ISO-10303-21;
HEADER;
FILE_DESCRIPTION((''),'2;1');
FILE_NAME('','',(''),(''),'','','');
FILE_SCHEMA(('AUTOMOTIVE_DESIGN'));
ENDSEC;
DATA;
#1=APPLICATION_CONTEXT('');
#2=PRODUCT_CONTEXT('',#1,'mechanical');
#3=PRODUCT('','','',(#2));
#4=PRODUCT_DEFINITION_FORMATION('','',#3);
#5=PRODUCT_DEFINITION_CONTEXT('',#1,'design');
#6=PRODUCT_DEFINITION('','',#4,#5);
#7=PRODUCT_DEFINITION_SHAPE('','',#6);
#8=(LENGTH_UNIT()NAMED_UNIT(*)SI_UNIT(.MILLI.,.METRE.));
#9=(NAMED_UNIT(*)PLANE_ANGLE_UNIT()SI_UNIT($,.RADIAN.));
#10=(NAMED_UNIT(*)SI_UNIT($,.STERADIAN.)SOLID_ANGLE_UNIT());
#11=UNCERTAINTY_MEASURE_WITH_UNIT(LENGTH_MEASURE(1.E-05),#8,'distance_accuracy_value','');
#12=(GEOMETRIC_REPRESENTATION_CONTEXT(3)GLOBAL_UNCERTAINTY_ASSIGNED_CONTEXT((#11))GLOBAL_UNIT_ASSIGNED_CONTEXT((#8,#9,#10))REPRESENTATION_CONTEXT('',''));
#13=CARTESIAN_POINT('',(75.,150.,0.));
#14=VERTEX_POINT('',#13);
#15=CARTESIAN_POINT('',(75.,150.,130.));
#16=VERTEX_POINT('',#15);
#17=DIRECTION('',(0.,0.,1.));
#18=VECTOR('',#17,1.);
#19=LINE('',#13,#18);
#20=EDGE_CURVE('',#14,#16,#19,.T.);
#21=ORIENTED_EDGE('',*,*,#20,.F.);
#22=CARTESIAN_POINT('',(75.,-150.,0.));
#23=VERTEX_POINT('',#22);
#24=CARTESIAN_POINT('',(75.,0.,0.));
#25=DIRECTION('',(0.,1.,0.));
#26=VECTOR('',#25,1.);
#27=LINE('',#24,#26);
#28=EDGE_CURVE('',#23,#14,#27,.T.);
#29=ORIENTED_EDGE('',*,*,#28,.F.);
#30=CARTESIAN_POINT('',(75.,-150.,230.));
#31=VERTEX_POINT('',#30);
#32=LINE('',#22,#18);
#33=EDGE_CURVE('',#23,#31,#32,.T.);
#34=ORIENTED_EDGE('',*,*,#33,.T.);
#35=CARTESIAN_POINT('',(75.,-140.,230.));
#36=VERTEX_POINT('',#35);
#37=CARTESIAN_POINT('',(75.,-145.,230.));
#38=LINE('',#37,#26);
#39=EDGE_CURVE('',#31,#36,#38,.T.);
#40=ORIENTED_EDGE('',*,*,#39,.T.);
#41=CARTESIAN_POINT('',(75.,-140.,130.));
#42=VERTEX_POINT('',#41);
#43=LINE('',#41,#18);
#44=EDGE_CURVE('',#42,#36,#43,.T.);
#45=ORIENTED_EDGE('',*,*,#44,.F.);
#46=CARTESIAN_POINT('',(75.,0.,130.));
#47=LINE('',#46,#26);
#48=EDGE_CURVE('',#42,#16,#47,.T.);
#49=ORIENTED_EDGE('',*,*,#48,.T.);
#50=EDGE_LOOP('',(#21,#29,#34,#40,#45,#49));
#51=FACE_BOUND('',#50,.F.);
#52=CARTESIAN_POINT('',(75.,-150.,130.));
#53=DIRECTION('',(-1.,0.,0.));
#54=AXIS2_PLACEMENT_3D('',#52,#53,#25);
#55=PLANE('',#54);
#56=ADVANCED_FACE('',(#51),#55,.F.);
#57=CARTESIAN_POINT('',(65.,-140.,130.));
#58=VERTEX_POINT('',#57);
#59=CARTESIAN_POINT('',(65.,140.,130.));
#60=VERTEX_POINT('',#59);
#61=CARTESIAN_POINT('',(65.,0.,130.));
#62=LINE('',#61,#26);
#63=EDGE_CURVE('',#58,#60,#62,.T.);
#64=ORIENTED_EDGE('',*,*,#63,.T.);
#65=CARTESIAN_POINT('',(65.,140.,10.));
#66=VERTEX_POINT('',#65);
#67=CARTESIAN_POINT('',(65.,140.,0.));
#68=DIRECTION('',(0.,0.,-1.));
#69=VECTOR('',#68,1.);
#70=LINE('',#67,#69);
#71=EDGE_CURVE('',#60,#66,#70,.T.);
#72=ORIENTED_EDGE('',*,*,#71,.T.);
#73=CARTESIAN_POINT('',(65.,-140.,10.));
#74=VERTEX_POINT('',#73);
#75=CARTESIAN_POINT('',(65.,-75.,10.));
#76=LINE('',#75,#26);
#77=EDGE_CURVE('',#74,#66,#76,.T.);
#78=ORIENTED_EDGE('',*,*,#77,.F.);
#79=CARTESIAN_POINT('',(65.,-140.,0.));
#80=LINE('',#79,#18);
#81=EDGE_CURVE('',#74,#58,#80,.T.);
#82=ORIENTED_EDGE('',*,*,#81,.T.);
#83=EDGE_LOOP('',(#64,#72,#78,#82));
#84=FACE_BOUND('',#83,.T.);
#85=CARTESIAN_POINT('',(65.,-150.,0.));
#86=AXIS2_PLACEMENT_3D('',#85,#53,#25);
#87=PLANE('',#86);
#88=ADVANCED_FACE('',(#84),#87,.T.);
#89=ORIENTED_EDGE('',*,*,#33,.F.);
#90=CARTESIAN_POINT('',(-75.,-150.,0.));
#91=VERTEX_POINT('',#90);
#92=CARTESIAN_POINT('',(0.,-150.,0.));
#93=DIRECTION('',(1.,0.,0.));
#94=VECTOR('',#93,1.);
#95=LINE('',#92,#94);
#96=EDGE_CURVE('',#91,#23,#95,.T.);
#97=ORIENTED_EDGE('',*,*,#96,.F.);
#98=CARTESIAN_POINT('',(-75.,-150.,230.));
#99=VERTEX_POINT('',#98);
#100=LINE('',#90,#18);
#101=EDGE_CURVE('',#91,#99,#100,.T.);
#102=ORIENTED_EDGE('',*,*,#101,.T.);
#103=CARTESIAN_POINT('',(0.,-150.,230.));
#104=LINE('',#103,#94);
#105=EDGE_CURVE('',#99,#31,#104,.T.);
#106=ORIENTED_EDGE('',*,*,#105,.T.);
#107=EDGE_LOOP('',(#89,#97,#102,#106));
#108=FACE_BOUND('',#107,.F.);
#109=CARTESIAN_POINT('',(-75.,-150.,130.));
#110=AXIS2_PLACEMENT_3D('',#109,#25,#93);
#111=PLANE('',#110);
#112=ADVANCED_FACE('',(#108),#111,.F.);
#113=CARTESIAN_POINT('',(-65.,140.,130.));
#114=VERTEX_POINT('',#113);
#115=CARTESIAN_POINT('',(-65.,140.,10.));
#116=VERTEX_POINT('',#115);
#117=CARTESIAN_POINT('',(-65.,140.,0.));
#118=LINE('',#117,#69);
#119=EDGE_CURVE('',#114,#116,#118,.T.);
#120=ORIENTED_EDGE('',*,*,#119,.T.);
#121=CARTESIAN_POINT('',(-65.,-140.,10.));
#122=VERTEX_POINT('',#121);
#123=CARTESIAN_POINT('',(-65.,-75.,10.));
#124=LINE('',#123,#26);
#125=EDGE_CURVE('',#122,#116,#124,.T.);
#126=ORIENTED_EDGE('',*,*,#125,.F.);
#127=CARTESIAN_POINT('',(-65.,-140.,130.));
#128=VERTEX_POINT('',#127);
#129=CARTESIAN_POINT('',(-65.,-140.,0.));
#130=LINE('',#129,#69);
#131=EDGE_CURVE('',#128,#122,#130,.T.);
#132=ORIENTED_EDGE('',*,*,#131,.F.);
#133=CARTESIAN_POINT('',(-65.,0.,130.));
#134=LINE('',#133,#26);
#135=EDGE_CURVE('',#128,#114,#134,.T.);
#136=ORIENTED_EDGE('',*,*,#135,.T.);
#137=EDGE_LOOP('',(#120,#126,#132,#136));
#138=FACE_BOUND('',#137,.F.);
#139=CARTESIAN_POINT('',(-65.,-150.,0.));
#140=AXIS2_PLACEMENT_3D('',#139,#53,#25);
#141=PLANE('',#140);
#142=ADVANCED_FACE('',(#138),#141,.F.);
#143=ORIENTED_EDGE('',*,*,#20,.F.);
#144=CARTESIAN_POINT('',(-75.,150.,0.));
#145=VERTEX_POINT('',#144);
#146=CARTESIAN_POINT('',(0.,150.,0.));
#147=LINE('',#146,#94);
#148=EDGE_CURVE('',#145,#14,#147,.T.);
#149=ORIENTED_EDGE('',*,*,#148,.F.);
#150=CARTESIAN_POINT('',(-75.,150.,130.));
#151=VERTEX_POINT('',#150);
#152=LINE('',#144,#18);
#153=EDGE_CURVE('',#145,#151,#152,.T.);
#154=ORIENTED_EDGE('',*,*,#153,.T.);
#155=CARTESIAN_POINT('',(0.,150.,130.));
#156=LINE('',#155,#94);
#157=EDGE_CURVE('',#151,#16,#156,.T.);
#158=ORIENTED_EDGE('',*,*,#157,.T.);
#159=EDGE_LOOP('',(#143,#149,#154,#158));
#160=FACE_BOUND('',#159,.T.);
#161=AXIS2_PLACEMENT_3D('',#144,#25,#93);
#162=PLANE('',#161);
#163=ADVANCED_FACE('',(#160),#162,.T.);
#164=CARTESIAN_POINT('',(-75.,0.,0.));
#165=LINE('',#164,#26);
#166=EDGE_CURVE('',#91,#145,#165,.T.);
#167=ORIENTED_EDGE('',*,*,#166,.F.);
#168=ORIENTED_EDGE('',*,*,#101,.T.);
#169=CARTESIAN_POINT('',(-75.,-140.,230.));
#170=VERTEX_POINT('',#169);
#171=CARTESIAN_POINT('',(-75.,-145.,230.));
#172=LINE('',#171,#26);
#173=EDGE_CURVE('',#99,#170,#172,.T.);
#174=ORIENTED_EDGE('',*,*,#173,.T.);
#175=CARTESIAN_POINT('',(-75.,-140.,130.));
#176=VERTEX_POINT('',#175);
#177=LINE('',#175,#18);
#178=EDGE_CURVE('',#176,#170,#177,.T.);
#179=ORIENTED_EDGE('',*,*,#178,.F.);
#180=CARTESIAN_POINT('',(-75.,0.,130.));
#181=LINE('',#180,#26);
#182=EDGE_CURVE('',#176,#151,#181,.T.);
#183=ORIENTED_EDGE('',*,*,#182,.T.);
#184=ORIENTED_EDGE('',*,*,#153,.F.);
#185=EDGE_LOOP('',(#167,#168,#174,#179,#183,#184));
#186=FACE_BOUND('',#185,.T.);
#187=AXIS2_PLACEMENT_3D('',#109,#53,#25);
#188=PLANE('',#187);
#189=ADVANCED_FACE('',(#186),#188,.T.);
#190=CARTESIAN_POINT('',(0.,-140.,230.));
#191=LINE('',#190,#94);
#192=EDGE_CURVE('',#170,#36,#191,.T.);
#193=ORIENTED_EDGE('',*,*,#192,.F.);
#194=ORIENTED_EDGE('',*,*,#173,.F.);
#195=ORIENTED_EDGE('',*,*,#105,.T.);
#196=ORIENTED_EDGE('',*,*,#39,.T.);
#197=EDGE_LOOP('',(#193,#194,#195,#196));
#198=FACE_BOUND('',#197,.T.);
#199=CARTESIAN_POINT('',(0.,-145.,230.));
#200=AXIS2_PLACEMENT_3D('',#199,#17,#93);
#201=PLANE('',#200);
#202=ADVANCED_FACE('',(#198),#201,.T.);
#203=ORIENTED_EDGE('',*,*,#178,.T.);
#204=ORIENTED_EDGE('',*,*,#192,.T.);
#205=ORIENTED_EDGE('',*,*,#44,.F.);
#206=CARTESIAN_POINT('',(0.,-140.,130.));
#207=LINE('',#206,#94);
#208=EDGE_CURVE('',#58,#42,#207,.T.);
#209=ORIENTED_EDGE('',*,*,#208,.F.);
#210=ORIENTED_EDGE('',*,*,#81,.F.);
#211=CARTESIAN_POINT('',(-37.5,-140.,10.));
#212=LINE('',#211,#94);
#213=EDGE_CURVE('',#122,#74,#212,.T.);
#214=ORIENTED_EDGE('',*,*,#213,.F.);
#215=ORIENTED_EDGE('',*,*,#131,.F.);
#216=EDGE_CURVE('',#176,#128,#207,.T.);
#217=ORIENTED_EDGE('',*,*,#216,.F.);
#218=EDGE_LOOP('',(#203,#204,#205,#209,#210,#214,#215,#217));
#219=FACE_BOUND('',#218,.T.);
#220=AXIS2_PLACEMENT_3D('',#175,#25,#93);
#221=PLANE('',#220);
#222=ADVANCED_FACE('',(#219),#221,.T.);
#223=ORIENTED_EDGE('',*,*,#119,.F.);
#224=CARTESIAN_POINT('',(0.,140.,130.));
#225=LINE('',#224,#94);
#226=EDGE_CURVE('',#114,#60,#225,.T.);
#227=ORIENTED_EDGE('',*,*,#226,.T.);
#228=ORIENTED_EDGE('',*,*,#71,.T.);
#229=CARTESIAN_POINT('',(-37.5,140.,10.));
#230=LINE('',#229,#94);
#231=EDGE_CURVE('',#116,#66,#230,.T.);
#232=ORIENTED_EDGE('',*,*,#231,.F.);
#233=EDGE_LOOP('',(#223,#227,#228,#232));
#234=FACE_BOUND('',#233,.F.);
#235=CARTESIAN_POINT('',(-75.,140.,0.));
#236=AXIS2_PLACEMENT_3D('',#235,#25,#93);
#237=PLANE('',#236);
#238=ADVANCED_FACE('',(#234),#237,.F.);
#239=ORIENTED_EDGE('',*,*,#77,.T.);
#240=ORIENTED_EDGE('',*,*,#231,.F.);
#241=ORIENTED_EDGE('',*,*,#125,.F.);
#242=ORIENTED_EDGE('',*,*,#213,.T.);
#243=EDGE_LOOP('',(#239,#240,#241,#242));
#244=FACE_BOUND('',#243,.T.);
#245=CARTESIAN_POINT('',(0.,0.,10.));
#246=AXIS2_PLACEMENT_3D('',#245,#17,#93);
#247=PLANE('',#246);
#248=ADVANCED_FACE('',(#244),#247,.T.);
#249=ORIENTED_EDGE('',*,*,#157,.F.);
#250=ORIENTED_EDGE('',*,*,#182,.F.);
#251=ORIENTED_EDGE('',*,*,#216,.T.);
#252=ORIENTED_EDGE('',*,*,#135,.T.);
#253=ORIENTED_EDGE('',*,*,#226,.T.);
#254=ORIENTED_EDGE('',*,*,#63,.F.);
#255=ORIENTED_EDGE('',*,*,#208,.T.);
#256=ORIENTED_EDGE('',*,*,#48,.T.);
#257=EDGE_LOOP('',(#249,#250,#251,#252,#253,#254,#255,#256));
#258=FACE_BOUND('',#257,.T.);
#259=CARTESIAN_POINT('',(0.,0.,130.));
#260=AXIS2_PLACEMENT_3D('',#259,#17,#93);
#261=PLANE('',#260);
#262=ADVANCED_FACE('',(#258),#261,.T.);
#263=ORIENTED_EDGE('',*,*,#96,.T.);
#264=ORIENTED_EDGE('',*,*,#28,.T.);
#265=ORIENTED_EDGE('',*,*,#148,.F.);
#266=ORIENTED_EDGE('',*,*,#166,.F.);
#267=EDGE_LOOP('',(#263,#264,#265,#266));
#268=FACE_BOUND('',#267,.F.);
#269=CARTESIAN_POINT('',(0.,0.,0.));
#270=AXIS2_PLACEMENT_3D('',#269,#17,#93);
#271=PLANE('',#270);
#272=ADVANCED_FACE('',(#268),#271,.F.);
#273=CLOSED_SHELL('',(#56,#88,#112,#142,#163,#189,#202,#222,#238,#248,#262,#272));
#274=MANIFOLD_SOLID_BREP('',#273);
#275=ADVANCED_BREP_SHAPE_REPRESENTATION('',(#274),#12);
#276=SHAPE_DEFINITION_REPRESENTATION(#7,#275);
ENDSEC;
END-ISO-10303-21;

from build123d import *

# Parameters (mm, degrees)
F0_W     = 150
F0_H     = 300
F1_DEPTH = 130
F2_T     = -10
F3_W     = 150
F3_H     = 10
F4_DEPTH = 100


with BuildPart() as f1:
    # F0 (on Top) → F1 (new body)
    with BuildSketch(Plane.XY):
        Rectangle(F0_W, F0_H)
    extrude(amount=F1_DEPTH)

    # F2
    f2_openings = [f1.faces().sort_by_distance(p)[0] for p in [
        (0, 0, 130),
    ]]
    offset(amount=F2_T, openings=f2_openings)

    # F3 (on face) → F4 (join)
    with BuildSketch(Plane.XY.offset(130)):
        with Locations((0, -145)):
            Rectangle(F3_W, F3_H)
    extrude(amount=F4_DEPTH)


solid = f1.part
